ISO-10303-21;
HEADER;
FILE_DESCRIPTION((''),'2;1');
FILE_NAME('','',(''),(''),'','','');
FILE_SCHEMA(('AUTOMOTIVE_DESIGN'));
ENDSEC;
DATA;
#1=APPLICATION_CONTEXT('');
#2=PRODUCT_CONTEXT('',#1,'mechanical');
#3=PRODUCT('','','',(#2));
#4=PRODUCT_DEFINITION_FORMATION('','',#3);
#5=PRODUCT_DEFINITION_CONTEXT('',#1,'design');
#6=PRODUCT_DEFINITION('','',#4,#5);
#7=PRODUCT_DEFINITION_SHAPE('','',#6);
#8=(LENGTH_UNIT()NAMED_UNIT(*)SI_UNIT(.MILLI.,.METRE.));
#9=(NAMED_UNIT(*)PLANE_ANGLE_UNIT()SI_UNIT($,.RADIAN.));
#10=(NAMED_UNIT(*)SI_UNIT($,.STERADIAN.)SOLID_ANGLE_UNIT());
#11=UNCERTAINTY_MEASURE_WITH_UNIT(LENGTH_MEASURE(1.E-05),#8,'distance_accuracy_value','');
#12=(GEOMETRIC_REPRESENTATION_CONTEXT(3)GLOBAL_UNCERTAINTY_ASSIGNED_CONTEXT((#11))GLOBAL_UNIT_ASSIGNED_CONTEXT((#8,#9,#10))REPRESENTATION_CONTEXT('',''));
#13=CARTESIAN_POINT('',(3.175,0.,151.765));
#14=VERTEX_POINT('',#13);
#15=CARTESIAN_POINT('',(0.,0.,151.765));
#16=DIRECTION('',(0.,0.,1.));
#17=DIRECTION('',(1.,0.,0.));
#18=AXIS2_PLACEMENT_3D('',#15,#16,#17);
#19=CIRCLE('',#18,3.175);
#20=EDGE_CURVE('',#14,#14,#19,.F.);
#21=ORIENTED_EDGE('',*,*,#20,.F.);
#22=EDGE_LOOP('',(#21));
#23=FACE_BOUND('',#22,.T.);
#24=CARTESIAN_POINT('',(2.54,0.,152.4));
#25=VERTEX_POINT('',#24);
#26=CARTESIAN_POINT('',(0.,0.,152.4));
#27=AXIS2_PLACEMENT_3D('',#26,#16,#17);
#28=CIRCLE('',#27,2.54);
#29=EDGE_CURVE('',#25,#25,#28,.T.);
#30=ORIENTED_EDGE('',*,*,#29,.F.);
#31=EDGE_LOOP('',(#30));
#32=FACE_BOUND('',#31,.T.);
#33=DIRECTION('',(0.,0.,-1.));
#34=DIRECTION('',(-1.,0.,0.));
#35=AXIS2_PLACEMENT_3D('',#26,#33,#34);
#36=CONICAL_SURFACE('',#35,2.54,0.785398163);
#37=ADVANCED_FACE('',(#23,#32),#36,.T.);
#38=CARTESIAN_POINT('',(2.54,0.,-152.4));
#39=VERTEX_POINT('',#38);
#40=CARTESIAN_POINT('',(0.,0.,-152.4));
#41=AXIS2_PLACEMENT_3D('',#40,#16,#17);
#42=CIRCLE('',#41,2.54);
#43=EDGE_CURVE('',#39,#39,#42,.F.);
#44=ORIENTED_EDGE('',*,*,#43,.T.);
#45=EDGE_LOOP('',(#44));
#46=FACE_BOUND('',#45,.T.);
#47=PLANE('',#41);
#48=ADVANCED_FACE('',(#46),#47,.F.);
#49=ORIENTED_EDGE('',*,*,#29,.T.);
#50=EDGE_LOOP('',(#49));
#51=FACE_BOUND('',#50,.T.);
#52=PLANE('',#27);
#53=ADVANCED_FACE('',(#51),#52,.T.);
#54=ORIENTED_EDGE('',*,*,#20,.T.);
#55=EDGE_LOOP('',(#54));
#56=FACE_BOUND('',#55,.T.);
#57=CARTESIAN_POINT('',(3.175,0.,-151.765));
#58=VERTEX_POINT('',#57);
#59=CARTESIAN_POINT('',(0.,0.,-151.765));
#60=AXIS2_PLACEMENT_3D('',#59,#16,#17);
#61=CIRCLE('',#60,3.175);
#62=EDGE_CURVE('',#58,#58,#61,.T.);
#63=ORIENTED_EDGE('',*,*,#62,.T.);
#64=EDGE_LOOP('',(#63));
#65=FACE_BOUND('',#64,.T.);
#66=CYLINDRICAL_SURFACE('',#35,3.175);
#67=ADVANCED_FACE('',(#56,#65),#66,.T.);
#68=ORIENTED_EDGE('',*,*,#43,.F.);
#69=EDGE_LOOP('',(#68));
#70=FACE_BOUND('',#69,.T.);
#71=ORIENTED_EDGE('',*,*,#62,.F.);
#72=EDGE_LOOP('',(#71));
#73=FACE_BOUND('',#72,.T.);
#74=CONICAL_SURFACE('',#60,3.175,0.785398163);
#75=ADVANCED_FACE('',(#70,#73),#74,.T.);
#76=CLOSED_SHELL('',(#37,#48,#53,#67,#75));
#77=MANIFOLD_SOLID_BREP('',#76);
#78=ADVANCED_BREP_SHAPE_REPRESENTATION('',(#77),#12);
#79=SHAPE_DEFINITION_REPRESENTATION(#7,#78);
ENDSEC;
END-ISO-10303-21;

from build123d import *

# Parameters (mm, degrees)
SKETCH1_R      = 3.175
EXTRUDE1_DEPTH = 152.4
CHAMFER1_SIZE  = 0.635


with BuildPart() as part:
    # Sketch1 → Extrude1 (new body, symmetric)
    with BuildSketch(Plane.XY):
        Circle(SKETCH1_R)
    extrude(amount=EXTRUDE1_DEPTH, both=True)

    # Chamfer1
    chamfer1_edges = [part.edges().sort_by_distance(p)[0] for p in [
        (-3.175, 0, -152.4),
        (-3.175, 0, 152.4),
    ]]
    chamfer(chamfer1_edges, length=CHAMFER1_SIZE)


solid = part.part
